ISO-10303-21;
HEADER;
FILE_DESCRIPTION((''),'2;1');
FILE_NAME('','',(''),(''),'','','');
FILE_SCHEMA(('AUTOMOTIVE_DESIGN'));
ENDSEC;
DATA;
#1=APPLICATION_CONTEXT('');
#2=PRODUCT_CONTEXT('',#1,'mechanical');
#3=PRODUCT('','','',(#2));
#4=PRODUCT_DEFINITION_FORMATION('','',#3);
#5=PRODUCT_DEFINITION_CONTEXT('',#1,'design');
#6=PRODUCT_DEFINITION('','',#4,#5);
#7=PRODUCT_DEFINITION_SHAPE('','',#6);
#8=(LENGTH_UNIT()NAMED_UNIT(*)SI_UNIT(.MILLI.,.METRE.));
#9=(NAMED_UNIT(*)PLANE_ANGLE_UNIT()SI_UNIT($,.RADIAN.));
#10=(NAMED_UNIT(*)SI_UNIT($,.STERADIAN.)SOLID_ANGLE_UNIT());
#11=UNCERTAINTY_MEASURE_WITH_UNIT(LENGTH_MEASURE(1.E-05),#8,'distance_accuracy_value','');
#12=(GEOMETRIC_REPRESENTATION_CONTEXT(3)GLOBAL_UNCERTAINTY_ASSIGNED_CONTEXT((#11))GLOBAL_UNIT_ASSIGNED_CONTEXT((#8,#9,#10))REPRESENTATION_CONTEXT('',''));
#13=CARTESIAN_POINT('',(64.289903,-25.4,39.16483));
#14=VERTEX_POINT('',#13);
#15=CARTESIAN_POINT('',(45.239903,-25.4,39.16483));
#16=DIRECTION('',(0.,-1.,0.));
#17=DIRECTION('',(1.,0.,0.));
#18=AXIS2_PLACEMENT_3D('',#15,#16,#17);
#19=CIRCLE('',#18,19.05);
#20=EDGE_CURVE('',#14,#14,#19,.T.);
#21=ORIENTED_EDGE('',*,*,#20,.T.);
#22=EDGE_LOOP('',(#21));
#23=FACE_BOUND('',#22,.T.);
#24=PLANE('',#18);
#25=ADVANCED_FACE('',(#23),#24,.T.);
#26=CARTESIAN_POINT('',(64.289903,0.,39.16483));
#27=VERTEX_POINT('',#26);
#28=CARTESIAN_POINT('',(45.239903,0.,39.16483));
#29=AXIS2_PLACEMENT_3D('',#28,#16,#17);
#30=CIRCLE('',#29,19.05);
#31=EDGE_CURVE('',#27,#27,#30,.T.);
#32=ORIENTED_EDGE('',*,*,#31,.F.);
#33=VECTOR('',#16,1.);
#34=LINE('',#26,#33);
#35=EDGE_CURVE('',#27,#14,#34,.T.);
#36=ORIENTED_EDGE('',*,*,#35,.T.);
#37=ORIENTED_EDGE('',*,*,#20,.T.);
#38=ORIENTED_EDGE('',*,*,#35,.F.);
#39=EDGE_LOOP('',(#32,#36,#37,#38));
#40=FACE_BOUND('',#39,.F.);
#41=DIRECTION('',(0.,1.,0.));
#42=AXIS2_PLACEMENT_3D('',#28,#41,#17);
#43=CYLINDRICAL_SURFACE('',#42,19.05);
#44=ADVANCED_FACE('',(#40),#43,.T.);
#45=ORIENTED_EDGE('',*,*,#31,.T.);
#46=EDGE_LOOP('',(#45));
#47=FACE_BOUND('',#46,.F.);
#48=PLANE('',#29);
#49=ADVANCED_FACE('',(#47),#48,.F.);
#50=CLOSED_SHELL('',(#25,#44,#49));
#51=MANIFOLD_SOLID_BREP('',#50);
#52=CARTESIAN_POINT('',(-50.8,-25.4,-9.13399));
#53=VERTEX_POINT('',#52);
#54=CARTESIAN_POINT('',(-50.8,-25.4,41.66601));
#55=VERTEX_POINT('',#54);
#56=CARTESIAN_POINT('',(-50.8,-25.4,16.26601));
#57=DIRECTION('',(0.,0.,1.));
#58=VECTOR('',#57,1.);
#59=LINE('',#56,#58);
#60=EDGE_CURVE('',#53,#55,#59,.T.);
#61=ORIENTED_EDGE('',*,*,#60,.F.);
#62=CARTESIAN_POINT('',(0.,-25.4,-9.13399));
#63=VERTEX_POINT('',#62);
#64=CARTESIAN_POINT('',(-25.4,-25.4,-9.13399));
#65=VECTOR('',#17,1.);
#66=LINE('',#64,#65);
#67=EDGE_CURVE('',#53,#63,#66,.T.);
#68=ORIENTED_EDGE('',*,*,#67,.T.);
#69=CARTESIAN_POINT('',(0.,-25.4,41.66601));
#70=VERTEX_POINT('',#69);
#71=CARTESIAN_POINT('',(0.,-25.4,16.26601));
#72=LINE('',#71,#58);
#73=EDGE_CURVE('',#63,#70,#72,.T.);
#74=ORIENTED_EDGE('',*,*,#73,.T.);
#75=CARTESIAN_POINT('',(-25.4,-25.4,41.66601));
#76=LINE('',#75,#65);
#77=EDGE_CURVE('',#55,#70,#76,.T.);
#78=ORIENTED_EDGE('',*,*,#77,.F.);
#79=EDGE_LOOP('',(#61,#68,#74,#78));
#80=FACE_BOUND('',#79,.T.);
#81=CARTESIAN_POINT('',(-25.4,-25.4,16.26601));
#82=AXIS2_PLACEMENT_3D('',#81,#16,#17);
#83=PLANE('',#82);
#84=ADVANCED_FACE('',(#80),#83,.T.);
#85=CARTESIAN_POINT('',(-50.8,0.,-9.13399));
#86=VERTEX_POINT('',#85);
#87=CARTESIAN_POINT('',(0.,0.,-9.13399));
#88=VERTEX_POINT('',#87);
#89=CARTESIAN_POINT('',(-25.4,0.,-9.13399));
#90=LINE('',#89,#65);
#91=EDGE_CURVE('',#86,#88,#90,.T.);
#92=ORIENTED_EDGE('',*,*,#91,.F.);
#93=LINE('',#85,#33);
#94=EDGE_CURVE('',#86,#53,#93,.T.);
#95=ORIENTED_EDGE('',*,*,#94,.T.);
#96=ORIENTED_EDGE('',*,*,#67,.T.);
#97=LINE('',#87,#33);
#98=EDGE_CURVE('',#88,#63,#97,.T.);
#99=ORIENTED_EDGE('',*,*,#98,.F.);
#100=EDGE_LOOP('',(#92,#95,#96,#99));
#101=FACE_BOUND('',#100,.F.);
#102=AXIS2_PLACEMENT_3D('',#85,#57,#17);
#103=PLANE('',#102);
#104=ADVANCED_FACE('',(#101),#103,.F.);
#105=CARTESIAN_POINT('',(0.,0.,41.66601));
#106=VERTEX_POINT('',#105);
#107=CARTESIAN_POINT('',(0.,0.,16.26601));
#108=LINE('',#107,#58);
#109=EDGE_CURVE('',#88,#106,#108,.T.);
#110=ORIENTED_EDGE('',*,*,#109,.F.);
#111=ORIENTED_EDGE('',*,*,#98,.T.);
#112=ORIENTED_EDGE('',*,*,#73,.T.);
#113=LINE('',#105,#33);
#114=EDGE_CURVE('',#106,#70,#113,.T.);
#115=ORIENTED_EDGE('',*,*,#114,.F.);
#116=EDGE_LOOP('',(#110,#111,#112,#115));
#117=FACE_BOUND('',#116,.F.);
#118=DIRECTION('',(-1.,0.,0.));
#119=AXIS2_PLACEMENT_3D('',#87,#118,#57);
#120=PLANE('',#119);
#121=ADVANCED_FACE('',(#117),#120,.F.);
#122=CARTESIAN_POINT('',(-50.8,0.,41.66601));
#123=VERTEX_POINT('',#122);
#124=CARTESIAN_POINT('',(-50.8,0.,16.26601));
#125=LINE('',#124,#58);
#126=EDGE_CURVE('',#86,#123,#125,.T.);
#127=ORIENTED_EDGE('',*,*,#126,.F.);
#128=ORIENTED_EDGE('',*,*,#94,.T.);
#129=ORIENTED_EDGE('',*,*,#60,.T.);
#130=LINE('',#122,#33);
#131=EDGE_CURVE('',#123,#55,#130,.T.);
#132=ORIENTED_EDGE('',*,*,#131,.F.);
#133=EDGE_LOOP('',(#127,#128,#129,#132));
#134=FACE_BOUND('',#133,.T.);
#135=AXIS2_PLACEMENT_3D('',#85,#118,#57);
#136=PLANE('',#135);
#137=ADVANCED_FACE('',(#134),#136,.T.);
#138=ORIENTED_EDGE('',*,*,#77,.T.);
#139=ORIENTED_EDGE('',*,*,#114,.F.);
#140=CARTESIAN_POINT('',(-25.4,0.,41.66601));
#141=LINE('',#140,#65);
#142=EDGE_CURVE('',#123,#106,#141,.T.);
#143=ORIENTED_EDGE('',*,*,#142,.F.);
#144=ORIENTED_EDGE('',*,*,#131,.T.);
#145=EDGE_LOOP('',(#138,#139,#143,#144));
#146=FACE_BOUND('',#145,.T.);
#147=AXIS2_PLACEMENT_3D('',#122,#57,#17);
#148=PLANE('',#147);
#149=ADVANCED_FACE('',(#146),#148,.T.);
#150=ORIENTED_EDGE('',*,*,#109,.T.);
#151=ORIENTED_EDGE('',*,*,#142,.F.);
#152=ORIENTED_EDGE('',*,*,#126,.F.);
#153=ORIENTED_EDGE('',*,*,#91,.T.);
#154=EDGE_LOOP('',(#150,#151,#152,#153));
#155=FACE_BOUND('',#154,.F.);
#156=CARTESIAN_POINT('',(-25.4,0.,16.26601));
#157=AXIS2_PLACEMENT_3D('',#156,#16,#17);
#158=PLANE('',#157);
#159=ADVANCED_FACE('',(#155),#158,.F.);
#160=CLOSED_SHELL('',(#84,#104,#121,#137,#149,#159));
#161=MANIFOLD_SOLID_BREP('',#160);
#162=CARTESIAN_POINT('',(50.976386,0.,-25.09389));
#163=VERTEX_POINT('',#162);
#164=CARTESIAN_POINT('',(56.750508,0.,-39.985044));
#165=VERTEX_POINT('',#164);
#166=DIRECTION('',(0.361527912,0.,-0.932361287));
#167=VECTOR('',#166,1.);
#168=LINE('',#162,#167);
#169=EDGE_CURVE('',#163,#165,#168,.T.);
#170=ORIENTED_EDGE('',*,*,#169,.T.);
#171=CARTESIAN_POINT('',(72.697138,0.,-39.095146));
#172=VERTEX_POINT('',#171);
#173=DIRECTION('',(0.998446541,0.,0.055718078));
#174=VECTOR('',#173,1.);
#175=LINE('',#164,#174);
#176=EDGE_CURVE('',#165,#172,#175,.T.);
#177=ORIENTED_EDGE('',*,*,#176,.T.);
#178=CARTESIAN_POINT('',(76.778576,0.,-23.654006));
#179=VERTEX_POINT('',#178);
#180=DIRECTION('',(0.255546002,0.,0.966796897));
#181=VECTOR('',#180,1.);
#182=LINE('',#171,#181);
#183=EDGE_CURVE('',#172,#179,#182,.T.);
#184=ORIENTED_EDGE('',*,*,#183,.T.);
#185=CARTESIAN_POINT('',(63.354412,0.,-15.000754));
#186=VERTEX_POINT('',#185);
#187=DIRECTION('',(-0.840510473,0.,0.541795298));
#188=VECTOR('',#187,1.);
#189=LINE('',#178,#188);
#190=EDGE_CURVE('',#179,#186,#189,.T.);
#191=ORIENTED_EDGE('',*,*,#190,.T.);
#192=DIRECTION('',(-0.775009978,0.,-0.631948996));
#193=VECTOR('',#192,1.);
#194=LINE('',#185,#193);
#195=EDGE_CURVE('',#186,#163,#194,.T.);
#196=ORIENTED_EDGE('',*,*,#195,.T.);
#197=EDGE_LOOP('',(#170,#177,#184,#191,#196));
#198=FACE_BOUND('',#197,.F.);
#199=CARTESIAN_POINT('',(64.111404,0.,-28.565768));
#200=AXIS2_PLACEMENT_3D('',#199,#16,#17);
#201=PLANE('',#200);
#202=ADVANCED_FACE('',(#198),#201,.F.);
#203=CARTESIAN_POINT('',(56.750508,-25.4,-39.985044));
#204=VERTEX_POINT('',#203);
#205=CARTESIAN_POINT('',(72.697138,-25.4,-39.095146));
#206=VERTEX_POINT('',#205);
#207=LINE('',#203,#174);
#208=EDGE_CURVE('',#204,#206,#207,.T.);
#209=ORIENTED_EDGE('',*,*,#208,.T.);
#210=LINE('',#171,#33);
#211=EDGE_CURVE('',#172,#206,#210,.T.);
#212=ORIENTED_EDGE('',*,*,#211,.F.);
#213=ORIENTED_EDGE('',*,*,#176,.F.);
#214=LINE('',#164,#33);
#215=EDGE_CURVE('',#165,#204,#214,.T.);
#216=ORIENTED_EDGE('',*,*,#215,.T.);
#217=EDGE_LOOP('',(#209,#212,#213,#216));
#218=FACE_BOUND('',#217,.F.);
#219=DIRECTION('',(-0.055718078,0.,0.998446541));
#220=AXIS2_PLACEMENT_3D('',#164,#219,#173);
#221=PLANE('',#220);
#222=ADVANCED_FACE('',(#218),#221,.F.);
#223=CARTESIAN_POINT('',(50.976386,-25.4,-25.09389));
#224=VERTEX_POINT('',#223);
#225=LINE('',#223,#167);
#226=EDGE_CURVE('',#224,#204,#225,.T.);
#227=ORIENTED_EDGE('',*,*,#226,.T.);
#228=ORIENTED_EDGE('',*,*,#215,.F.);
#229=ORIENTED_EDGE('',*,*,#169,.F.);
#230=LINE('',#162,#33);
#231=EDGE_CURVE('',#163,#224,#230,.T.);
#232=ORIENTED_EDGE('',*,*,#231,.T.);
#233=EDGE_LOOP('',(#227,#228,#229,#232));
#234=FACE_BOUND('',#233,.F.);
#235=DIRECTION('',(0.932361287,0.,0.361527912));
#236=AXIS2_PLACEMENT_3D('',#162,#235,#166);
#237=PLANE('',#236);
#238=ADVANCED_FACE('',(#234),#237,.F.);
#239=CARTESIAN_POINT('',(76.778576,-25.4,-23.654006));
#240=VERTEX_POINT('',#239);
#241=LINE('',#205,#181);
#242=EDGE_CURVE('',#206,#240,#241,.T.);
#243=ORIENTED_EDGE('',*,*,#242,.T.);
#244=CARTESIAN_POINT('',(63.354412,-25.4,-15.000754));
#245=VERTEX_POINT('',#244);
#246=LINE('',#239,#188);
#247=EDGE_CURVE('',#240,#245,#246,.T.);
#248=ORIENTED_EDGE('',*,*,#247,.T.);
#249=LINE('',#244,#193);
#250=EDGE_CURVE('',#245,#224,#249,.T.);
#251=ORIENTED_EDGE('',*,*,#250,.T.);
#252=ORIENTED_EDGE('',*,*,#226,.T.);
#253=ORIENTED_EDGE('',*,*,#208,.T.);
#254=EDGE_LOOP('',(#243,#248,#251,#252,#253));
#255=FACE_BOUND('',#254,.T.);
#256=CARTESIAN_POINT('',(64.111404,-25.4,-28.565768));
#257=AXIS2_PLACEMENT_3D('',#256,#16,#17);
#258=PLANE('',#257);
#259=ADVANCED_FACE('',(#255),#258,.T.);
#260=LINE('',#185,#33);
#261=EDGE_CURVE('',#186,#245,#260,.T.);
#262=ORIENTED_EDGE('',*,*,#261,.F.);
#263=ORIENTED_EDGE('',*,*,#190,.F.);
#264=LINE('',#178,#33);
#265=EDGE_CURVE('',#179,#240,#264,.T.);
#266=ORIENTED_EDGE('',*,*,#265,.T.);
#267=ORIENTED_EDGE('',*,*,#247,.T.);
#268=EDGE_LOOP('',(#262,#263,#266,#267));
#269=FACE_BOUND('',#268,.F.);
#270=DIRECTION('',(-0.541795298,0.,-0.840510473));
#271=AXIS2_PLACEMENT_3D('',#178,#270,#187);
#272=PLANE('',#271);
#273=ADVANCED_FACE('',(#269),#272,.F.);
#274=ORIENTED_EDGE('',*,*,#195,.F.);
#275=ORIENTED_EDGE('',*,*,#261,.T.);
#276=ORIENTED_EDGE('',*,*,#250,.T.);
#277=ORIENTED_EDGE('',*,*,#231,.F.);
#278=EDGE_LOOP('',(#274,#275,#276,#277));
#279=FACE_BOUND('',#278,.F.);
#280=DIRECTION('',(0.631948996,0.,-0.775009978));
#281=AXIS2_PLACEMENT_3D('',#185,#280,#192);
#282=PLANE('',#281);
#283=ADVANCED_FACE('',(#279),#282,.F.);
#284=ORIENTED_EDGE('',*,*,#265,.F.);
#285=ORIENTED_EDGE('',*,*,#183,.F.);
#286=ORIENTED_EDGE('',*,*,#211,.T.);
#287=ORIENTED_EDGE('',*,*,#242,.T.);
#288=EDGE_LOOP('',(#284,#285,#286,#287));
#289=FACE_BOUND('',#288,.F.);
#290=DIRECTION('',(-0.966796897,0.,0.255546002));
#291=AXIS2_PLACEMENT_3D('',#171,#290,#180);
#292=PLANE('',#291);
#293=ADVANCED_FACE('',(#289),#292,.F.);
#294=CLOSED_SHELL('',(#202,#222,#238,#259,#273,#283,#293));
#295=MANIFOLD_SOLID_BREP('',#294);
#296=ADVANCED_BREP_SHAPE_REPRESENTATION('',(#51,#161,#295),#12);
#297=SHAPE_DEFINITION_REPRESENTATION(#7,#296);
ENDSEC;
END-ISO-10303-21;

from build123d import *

# Parameters (mm, degrees)
F0_W     = 50.8
F0_H     = 50.8
F0_R     = 19.05
F1_DEPTH = 25.4


with BuildPart() as f1:
    # F0 (on Front) → F1 (new body)
    with BuildSketch(Plane.XZ):
        with Locations((-25.4, 16.26601)):
            Rectangle(F0_W, F0_H)
        with Locations((45.239903, 39.16483)):
            Circle(F0_R)
        Polygon((72.697138, -39.095146), (76.778576, -23.654006), (63.354412, -15.000754), (50.976386, -25.09389), (56.750508, -39.985044), align=None)
    extrude(amount=F1_DEPTH)


solid = f1.part
